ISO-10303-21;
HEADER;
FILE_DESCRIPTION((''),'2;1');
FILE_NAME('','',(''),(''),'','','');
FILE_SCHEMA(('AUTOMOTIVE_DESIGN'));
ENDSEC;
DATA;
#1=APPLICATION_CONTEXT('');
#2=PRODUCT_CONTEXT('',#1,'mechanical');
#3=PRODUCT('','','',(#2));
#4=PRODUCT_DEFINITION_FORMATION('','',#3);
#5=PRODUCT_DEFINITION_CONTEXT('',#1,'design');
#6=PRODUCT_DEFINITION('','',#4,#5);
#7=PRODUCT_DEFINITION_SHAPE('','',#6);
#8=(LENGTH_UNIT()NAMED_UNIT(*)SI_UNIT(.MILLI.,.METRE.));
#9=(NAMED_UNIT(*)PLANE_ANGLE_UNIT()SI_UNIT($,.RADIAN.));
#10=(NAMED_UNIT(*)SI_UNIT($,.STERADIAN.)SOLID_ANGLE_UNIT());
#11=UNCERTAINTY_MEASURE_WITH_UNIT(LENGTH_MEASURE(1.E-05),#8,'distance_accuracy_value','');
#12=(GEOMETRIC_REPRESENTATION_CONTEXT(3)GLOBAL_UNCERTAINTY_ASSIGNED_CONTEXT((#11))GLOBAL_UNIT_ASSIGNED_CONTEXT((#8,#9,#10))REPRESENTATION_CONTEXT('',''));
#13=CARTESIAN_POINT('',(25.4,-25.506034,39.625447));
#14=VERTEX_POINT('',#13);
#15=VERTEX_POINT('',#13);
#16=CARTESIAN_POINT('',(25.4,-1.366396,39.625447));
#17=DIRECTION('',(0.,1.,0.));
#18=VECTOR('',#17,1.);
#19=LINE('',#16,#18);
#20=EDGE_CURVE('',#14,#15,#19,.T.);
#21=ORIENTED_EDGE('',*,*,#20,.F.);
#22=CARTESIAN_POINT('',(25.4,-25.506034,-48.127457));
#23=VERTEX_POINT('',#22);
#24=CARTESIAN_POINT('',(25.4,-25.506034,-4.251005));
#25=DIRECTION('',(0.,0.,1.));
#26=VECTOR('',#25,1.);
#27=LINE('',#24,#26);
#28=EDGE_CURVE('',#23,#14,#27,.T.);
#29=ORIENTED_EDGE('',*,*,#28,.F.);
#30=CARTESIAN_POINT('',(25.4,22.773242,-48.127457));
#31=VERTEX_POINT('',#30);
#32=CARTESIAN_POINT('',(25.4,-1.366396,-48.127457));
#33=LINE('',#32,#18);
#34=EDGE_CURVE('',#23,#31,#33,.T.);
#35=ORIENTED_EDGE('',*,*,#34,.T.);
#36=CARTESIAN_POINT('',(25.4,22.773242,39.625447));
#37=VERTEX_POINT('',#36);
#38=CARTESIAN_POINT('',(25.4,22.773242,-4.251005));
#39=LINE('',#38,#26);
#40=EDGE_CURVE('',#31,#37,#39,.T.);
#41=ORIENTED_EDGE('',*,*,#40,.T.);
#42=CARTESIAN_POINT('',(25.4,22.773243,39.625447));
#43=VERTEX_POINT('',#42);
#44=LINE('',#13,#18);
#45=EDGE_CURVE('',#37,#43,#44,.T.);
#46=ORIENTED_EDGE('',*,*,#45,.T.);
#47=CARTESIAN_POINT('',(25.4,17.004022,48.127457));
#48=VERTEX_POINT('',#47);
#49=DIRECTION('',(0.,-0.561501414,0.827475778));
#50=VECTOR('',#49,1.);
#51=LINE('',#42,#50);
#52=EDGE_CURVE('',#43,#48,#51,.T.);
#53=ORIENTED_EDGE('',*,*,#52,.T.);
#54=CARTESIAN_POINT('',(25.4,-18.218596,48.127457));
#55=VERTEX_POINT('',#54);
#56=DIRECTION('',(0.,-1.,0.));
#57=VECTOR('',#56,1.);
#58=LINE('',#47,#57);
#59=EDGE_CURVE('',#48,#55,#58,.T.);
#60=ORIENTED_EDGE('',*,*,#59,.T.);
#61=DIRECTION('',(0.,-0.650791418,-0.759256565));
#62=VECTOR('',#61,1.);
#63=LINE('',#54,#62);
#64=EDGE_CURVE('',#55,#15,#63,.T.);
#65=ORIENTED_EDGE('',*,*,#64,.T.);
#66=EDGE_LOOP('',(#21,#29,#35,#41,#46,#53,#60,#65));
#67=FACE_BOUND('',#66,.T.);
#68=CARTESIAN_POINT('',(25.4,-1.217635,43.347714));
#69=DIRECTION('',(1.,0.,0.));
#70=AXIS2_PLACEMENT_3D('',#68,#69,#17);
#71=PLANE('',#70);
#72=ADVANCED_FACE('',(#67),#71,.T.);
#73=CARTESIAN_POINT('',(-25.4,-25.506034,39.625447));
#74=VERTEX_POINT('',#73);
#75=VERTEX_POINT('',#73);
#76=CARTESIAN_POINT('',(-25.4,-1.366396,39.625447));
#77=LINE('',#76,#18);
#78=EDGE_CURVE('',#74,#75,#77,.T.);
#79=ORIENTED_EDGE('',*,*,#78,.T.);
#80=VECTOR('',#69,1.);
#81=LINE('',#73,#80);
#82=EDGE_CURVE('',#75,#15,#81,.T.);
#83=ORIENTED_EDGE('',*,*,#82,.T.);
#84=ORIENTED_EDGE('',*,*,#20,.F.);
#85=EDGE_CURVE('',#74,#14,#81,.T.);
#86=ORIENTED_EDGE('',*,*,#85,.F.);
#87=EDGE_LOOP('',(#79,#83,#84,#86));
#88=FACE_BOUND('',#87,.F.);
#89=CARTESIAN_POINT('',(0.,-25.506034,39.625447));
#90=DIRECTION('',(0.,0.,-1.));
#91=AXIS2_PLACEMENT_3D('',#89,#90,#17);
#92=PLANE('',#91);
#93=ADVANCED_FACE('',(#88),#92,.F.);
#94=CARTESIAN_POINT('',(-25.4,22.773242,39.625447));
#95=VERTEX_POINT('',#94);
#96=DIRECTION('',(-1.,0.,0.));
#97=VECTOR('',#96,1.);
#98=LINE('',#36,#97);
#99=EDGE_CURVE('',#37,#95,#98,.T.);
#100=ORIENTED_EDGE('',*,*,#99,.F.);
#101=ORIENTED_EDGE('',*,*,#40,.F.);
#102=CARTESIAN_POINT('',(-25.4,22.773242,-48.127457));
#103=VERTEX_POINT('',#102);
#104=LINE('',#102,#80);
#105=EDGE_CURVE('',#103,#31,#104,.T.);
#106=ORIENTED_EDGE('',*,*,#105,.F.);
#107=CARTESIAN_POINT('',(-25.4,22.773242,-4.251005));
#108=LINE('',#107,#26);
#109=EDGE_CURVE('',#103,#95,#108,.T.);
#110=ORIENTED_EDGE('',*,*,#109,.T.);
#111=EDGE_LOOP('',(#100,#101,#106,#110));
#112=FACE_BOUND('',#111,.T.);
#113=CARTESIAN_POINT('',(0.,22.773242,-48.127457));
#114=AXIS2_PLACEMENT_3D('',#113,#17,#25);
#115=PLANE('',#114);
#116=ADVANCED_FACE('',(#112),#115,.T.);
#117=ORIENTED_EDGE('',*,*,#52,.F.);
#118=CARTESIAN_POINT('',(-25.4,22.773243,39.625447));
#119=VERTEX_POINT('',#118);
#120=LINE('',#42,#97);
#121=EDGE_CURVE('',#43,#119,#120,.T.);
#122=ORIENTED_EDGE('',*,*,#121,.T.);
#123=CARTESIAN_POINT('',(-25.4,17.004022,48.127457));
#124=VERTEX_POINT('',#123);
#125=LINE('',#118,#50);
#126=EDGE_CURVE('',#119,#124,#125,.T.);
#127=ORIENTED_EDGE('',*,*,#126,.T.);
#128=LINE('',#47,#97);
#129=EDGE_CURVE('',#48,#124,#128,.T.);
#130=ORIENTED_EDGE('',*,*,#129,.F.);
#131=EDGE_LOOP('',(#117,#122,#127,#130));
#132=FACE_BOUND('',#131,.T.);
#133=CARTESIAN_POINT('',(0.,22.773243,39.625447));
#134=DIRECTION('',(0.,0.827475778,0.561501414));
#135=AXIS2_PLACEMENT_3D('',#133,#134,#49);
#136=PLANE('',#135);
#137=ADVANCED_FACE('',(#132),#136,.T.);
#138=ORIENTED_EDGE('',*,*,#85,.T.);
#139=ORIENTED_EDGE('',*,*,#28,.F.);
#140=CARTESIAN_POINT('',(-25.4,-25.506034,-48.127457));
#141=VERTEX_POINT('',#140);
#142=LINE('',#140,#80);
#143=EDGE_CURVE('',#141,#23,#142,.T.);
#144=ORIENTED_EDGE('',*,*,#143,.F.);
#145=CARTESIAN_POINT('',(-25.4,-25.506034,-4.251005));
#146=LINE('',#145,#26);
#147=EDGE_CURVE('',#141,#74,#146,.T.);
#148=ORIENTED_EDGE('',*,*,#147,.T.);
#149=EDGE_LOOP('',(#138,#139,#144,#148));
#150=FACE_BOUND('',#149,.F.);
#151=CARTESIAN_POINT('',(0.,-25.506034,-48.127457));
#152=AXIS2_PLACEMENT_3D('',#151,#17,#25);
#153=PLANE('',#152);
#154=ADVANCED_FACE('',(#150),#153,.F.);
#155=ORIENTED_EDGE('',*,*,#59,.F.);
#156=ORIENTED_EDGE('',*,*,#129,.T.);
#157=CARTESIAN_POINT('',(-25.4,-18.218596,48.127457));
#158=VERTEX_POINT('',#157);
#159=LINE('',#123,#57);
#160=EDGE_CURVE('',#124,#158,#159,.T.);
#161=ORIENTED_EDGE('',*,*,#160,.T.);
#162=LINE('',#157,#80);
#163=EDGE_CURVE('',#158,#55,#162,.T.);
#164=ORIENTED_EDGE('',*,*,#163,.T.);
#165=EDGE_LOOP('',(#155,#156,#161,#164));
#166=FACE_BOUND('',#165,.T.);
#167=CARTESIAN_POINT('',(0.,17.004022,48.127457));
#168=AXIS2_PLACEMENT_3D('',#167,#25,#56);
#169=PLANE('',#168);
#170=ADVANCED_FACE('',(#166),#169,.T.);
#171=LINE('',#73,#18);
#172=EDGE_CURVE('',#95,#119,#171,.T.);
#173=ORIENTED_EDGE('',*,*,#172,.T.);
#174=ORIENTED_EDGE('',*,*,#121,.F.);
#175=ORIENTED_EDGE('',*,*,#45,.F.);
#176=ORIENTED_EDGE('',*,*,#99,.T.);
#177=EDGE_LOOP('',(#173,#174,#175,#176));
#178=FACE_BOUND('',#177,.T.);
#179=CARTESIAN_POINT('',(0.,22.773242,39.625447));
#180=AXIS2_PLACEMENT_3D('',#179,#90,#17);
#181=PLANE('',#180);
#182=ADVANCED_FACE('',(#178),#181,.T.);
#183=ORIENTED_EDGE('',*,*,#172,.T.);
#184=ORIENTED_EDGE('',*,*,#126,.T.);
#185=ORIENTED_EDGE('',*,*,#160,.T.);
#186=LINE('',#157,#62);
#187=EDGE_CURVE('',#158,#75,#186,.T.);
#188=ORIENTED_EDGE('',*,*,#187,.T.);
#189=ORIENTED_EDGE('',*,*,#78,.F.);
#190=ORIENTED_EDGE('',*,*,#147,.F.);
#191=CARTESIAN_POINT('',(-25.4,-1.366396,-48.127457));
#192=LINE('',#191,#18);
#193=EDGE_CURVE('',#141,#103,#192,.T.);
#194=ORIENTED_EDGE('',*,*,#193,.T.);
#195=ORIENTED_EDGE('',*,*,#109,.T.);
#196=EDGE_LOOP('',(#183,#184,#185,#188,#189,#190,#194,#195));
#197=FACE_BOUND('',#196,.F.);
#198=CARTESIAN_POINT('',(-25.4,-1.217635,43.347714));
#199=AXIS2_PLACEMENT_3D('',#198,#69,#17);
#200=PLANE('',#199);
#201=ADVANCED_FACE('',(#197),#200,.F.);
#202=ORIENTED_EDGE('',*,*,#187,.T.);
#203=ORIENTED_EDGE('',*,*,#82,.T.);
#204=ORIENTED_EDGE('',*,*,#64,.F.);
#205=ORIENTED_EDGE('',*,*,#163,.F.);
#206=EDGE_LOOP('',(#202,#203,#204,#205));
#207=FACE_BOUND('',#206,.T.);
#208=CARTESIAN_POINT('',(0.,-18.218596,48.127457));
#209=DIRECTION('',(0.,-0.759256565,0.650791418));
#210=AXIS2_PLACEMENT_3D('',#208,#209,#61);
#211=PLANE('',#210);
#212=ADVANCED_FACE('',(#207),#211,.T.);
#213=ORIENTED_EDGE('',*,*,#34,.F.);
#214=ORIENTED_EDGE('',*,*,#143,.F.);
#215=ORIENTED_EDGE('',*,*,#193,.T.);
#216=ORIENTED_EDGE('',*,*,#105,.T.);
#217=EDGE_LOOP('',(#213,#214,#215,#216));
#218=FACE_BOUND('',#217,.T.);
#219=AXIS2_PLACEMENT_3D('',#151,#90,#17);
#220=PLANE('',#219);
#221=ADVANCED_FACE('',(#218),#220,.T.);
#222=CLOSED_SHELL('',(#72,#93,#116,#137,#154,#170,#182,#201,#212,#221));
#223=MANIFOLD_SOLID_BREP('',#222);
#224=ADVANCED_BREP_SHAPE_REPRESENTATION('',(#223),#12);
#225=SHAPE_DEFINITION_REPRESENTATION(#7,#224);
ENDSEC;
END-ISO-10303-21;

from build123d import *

# Parameters (mm, degrees)
F0_W          = 48.279277
F0_H          = 87.752904
F1_DEPTH      = 25.4
F1_DEPTH_BACK = 25.4


with BuildPart() as f1:
    # F0 (on Right) → F1 (new body, two sides)
    with BuildSketch(Plane.YZ) as f1_sk:
        Polygon((-18.218596, 48.127457), (-25.506034, 39.625447), (22.773243, 39.625447), (17.004022, 48.127457), align=None)
        with Locations((-1.366396, -4.251005)):
            Rectangle(F0_W, F0_H)
    extrude(amount=F1_DEPTH)
    extrude(f1_sk.sketch, amount=-F1_DEPTH_BACK)


solid = f1.part
